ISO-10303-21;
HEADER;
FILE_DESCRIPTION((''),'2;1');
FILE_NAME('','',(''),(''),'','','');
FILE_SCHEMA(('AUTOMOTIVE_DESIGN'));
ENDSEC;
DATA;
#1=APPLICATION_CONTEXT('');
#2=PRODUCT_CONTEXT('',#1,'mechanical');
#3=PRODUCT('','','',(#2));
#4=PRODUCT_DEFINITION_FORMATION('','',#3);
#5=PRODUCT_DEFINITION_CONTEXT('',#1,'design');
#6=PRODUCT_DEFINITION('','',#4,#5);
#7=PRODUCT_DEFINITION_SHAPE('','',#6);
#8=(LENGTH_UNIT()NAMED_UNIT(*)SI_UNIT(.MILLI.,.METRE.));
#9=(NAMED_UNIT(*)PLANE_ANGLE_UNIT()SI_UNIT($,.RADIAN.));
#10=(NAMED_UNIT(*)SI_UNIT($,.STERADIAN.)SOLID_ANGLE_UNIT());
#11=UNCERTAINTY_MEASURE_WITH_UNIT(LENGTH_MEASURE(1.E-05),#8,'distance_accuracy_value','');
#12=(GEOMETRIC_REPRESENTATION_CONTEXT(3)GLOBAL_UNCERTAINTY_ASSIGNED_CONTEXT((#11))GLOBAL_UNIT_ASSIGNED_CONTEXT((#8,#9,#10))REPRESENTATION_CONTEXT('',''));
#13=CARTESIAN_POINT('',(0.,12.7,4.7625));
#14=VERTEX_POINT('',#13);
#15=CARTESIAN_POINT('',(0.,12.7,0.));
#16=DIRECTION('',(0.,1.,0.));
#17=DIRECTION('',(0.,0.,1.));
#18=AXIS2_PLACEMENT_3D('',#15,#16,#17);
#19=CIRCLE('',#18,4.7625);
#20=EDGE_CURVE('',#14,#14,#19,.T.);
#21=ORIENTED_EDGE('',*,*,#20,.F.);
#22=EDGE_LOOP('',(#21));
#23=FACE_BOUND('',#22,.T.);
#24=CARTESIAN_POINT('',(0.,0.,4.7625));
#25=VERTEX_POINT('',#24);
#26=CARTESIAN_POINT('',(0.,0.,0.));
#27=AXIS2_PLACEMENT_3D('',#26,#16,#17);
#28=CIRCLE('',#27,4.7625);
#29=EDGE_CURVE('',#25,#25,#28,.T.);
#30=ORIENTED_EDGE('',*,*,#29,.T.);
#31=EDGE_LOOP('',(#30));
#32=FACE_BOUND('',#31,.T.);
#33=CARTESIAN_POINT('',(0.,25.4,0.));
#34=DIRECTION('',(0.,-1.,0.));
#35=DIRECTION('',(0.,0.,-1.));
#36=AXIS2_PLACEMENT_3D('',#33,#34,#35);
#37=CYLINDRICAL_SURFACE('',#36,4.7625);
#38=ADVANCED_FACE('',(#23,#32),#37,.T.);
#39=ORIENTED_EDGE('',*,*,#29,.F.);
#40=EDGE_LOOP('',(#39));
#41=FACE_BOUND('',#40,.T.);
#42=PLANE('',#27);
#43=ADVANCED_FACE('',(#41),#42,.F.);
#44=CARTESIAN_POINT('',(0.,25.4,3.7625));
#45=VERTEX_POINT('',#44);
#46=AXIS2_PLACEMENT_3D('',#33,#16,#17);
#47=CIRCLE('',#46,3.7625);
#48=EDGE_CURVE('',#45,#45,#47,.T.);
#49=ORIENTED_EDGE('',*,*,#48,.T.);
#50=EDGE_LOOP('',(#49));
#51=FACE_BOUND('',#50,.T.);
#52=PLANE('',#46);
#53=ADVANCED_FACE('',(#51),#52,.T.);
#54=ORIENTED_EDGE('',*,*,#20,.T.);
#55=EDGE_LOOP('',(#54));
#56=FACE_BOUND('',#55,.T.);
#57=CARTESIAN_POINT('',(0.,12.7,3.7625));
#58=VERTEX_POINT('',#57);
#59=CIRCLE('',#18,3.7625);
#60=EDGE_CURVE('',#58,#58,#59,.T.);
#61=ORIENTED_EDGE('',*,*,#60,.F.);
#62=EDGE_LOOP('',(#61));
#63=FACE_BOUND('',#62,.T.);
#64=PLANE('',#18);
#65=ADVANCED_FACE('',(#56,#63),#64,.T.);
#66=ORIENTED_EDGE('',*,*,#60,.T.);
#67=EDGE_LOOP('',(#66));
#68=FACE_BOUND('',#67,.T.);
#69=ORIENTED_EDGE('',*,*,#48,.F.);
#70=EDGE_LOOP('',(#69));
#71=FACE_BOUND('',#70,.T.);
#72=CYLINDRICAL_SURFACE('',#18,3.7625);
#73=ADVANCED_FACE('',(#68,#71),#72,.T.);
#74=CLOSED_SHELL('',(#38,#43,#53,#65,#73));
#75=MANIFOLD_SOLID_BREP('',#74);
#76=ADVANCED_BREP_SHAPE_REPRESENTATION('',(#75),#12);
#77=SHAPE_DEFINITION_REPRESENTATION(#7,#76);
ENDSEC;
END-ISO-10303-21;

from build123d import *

# Parameters (mm, degrees)
SKETCH1_R           = 4.7625
BOSS_EXTRUDE1_DEPTH = 25.4
SKETCH2_R           = 5.726240141
SKETCH2_R_2         = 3.7625
CUT_EXTRUDE1_DEPTH  = 12.7


with BuildPart() as part:
    # Sketch1 → Boss-Extrude1 (new body)
    with BuildSketch(Plane(origin=(0, 0, 0), x_dir=(1, 0, 0), z_dir=(0, 1, 0))):
        with Locations(Location((0, 0, 0), (0, 0, 270))):
            Circle(SKETCH1_R)
    extrude(amount=BOSS_EXTRUDE1_DEPTH)

    # Sketch2 → Cut-Extrude1 (cut)
    with BuildSketch(Plane(origin=(0, 25.4, 0), x_dir=(1, 0, 0), z_dir=(0, 1, 0))):
        Circle(SKETCH2_R)
        with Locations(Location((0, 0, 0), (0, 0, 270))):
            Circle(SKETCH2_R_2, mode=Mode.SUBTRACT)
    extrude(amount=-CUT_EXTRUDE1_DEPTH, mode=Mode.SUBTRACT)


solid = part.part
